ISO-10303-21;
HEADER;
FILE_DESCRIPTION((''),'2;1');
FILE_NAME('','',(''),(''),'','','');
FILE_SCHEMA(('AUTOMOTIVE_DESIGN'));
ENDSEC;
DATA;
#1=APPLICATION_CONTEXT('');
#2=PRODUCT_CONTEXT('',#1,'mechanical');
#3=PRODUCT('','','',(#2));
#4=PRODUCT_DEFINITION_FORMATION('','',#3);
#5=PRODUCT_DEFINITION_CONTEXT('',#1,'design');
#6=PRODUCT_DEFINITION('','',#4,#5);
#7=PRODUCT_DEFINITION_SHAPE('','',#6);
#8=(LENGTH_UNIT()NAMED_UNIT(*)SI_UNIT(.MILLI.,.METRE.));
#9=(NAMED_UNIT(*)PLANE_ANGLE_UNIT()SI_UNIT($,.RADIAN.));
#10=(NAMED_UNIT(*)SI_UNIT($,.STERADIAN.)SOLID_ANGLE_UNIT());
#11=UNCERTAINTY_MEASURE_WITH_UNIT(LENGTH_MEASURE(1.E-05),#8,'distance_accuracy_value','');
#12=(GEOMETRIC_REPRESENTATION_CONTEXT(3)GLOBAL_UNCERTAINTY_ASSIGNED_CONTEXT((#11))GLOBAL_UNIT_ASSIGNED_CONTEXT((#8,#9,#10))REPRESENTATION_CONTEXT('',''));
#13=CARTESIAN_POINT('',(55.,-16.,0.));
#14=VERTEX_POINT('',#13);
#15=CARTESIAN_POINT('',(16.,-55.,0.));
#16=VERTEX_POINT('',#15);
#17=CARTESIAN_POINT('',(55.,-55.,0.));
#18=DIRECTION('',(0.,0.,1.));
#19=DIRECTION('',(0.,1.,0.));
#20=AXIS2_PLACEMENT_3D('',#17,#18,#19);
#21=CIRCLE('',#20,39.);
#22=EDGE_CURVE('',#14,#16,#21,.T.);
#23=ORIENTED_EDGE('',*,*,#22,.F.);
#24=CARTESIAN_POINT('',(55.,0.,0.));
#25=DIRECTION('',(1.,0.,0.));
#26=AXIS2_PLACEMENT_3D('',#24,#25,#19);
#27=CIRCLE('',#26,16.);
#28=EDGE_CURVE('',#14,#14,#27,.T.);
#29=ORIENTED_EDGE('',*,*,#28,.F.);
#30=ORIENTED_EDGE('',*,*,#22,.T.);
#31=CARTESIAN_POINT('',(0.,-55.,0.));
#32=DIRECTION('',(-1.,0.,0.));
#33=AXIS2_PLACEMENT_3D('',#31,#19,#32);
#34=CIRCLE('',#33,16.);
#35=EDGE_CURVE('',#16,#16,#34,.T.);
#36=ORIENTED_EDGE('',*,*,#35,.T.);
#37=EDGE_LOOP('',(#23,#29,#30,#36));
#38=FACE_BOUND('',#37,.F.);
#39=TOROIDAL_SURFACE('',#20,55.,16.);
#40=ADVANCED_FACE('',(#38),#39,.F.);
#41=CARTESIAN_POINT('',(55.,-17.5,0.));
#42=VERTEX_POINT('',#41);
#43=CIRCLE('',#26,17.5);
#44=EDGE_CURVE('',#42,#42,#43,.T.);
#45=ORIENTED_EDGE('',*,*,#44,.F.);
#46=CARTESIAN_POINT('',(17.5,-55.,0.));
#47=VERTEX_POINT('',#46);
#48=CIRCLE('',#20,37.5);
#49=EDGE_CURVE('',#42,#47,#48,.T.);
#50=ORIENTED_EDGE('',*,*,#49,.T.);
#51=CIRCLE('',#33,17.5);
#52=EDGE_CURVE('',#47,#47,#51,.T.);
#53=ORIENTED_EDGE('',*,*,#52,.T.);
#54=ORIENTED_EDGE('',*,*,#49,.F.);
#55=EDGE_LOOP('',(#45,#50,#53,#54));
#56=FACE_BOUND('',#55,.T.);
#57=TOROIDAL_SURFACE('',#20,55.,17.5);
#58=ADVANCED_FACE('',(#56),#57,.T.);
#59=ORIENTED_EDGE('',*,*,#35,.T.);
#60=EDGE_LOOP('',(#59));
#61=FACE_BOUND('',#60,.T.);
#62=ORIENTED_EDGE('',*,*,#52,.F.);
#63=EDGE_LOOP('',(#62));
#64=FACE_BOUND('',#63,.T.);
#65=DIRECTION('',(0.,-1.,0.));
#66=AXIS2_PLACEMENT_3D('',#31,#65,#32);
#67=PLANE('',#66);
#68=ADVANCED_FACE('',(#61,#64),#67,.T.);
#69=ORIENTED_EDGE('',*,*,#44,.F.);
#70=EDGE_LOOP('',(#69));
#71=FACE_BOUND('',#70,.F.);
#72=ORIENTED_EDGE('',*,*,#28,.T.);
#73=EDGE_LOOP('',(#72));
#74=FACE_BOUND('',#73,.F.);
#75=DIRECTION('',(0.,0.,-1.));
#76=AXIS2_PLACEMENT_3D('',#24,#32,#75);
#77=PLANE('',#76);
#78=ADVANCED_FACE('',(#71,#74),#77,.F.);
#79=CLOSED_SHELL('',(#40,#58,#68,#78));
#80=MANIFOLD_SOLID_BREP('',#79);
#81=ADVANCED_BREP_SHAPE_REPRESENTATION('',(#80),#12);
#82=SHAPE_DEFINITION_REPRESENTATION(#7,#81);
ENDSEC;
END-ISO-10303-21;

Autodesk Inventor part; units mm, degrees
ref_plane "YZ Plane" through (0, 0, 0) normal (1, 0, 0) x (0, 1, 0)
ref_plane "XZ Plane" through (0, 0, 0) normal (0, 1, 0) x (-1, 0, 0)
sketch "Szkic6" plane through (0, 0, 0) normal (0, 0, 1) x (1, 0, 0)
  line L0 (-29.6067, 0) -> (35.2678, 0) construction
  line L1 (0, 42.3419) -> (0, -58.3726) construction
  arc A0 (55, 0) -> (0, -55) centre (55, -55) ccw
  line L2 (0, -55) -> (55, -55) construction
  line L3 (55, -55) -> (55, 10.5331) construction
  line L4 (55, 0) -> (55, 0)
  line L5 (0, -55) -> (0, -55)
  point P0 (0, 0)
  dimension "d24" = 55
  dimension "d31" = 90
  dimension "d36" = 0
  dimension "d37" = 0
ref_plane "Płaszczyzna konstrukcyjna2" through (0, -55, 0) normal (0, -1, 0) x (1, 0, 0)
sketch "Szkic8" plane through (0, -55, 0) normal (0, -1, 0) x (1, 0, 0)
  circle A0 centre (0, 0) radius 17.5
  circle A1 centre (0, 0) radius 16
  dimension "d32" = 35
  dimension "d33" = 1.5
sweep "Przeciągnięcie2" add profiles "Szkic8" path "Szkic6"
equation "\"d32\" = OD"
equation "\"d33\" = THK"
equation "\"d24\" = R"
equation "\"d31\" = KAT"
equation "\"SzerokośćGięciaPodcięcia\" = Grubość"
equation "\"RozmiarPodcięciaNarożnika\" = 4 * Grubość"
equation "\"PromieńPrzejścia\" = PromieńGięcia"
equation "\"Rozmiar_promienia_Jacobiego\" = PromieńGięcia"
equation "\"Wielk_odstępu\" = Grubość"
equation "\"d2\" = PromieńGięcia"
equation "\"d23\" = PromieńGięcia"
equation "\"R\" = 55"
equation "\"OD\" = 35"
equation "\"THK\" = 1.5"
equation "\"KAT\" = 90deg"
equation "\"PROSTKA\" = 0"
equation "\"Grubość\" = 1.5"
equation "\"PromieńGięcia\" = 3"
properties part number "Kolano 90° ø35x1,5 R55" material "304L"
